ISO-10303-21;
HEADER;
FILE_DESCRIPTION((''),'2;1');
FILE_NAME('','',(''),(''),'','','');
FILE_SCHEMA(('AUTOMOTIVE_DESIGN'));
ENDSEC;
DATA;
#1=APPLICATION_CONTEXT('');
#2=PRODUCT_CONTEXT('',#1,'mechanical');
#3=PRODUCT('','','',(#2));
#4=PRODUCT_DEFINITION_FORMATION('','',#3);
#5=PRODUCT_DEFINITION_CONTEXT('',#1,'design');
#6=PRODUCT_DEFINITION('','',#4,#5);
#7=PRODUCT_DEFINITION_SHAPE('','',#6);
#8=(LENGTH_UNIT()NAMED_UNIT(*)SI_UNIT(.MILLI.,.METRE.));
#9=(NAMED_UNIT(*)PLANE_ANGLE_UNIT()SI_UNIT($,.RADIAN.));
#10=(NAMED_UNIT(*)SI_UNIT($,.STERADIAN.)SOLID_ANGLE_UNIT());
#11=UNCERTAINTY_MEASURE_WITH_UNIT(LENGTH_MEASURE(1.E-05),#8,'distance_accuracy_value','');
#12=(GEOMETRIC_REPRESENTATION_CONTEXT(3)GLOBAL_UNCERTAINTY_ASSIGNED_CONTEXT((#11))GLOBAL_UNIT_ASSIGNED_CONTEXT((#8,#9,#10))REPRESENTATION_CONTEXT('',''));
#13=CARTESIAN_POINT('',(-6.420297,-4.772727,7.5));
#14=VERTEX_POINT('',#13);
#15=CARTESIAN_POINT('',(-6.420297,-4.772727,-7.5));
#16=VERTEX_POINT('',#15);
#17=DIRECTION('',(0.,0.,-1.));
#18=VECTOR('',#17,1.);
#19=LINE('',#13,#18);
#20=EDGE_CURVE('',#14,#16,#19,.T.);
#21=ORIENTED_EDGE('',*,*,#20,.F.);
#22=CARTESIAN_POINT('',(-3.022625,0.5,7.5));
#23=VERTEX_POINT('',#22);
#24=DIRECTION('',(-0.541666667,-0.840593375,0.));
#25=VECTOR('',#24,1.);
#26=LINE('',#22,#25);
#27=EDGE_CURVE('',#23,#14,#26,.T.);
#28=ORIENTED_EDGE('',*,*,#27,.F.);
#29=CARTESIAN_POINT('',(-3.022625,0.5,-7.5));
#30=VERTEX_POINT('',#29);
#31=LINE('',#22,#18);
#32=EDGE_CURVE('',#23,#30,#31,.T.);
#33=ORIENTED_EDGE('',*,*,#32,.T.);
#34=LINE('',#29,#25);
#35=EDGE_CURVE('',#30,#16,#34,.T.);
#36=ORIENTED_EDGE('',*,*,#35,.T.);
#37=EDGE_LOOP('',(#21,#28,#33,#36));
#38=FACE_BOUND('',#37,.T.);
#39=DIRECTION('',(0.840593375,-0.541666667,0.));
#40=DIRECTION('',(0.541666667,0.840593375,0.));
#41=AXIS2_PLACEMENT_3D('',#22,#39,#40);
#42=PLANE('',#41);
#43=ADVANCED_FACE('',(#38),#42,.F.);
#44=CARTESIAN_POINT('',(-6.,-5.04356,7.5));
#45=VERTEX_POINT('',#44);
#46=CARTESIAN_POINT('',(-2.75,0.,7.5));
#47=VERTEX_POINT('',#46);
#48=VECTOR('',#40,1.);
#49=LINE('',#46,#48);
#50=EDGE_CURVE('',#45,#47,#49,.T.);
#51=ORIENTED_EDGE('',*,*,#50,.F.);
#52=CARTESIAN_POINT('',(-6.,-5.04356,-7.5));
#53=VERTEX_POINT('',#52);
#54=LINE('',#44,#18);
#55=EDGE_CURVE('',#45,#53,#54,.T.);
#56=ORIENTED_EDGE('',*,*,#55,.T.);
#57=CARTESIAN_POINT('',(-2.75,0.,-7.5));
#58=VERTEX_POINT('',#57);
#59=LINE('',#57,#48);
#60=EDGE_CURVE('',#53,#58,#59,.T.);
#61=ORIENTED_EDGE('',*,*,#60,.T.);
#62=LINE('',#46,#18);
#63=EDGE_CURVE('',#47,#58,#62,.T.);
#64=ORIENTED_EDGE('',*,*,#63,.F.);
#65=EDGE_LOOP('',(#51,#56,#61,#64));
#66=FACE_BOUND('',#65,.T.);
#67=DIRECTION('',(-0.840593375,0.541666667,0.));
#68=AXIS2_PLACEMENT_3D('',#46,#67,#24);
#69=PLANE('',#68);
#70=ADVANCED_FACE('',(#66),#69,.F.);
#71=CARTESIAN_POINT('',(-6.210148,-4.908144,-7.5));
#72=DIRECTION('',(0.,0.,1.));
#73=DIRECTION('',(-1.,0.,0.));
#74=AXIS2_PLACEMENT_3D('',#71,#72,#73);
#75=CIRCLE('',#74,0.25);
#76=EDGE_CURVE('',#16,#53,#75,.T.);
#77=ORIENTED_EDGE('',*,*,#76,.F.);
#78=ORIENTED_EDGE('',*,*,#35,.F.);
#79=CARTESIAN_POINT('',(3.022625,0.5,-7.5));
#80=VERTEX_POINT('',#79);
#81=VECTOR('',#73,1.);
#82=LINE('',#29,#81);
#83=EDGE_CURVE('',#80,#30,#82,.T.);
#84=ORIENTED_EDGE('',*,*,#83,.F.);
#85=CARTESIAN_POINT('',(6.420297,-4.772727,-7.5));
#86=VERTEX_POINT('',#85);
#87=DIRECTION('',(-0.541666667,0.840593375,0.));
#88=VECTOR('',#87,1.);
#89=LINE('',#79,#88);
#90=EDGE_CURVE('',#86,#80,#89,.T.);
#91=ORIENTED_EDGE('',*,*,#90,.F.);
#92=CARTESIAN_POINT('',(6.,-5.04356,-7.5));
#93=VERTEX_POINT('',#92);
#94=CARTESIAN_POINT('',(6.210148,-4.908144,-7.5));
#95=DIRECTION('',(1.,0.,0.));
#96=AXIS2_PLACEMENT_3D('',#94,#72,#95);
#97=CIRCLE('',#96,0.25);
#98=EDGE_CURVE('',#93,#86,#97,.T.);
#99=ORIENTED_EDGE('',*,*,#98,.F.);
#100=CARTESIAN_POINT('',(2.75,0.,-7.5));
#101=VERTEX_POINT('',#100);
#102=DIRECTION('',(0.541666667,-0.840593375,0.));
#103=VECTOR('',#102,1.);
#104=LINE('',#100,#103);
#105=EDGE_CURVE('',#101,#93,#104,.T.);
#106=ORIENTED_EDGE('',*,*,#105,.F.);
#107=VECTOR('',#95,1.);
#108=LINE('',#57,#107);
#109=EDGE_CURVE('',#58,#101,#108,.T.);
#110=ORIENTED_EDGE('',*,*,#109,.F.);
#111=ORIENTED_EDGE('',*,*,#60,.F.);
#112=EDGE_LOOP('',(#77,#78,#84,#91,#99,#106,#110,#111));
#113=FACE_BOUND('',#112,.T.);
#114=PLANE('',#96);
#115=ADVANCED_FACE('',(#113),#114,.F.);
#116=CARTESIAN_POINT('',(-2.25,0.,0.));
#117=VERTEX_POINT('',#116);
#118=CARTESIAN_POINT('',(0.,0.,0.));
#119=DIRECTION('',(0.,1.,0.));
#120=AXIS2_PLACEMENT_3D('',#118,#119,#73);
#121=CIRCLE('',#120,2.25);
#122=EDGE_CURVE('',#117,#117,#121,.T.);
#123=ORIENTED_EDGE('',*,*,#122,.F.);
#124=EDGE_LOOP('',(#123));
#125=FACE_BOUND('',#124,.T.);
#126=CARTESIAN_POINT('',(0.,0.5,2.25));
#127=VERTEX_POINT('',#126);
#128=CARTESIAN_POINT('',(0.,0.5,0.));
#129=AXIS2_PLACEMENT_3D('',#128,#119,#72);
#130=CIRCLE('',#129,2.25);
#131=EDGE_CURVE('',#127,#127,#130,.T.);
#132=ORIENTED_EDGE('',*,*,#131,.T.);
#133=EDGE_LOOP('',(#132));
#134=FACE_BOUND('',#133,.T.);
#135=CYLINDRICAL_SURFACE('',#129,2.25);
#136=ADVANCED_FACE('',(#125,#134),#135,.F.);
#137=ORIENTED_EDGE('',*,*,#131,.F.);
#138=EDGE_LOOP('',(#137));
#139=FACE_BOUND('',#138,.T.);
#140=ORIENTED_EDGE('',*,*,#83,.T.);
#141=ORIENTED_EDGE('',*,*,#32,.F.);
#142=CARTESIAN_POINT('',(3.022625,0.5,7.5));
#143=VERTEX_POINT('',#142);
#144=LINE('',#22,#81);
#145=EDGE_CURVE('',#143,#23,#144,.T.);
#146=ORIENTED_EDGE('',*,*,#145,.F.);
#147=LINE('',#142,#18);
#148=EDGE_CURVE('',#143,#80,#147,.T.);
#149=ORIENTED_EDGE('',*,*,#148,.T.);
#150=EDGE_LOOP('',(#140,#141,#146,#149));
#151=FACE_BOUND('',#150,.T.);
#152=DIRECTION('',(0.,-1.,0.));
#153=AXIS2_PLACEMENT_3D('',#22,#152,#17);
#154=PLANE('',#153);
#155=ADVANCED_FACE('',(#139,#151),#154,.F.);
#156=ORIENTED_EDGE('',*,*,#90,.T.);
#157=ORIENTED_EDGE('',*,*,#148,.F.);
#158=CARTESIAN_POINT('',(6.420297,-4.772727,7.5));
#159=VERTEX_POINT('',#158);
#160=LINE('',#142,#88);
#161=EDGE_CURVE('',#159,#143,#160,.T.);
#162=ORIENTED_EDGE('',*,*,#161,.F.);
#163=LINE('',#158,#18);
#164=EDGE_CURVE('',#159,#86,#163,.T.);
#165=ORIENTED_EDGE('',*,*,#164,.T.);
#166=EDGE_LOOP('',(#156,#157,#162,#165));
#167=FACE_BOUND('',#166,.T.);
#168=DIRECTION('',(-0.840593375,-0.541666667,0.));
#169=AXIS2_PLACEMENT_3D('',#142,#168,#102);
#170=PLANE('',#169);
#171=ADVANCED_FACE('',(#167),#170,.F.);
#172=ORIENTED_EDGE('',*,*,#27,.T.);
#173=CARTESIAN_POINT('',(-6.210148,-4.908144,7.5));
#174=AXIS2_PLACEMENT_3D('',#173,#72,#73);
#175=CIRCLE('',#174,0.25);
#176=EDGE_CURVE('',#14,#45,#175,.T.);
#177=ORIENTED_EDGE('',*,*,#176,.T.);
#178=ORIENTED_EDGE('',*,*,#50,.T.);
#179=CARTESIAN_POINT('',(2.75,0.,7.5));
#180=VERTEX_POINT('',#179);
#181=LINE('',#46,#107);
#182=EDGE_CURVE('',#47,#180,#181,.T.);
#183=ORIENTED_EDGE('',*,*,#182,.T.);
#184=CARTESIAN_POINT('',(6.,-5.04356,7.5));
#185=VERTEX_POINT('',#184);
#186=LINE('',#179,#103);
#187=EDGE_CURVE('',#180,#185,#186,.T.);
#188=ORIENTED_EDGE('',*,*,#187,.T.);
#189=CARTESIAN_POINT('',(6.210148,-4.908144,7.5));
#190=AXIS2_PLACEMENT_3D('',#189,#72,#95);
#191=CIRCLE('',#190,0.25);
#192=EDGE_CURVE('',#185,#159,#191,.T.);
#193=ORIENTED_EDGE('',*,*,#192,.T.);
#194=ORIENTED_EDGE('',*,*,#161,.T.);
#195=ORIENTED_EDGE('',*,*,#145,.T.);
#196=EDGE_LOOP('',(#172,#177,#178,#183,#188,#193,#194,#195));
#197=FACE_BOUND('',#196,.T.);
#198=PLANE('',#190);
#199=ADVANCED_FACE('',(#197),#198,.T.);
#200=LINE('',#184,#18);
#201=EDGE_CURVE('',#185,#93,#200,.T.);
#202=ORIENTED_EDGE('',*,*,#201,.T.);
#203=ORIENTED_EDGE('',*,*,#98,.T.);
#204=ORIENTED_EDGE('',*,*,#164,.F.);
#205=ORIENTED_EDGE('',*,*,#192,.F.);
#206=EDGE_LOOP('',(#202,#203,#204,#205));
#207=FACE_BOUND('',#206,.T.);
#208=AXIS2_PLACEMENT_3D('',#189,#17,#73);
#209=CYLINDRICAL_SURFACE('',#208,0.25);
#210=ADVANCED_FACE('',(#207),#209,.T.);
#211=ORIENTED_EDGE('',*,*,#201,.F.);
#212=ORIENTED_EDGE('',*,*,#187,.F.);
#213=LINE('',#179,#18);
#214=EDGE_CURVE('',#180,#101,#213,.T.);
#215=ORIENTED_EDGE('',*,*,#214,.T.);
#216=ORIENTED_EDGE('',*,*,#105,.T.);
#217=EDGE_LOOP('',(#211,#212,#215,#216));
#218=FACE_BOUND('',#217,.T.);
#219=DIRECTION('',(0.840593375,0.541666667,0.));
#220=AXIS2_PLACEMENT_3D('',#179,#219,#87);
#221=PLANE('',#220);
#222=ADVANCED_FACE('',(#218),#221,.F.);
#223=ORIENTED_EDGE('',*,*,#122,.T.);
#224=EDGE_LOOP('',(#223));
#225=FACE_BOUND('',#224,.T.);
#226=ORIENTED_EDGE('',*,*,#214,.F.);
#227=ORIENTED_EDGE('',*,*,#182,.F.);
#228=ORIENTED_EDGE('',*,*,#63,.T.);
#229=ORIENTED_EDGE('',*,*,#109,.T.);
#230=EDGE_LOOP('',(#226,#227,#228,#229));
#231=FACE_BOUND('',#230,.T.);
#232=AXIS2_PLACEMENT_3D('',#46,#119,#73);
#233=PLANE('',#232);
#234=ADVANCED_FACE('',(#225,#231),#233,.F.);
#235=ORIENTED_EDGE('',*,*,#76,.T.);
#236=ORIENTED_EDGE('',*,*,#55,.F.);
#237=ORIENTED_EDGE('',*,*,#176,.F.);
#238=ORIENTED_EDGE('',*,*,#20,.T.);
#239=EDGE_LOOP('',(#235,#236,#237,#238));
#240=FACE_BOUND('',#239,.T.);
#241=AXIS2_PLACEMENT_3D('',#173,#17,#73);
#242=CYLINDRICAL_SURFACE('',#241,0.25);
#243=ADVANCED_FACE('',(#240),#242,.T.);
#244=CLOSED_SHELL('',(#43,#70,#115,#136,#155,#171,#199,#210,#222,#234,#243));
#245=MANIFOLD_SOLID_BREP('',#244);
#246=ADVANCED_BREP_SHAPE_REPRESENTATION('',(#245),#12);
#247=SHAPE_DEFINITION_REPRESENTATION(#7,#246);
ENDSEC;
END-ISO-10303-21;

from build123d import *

# Parameters (mm, degrees)
BOSS_EXTRUDE1_DEPTH  = 7.5
M4_CLEARANCE_HOLE1_D = 4.5


with BuildPart() as part:
    # Sketch1 → Boss-Extrude1 (new, symmetric)
    with BuildSketch(Plane.XY):
        with BuildLine():
            Line((-2.75, 0), (2.75, 0))
            Line((2.75, 0), (6, -5.04356025))
            ThreePointArc((6, -5.04356025), (6.34556501, -5.118291928), (6.420296688, -4.772726917))
            Line((6.420296688, -4.772726917), (3.022624878, 0.5))
            Line((3.022624878, 0.5), (-3.022624878, 0.5))
            Line((-3.022624878, 0.5), (-6.420296688, -4.772726917))
            ThreePointArc((-6.420296688, -4.772726917), (-6.34556501, -5.118291928), (-6, -5.04356025))
            Line((-6, -5.04356025), (-2.75, 0))
        make_face()
    extrude(amount=BOSS_EXTRUDE1_DEPTH, both=True)

    # M4 Clearance Hole1 (through all)
    with Locations(Plane(origin=(0, 0.5, 0), x_dir=(1, 0, 0), z_dir=(0, 1, 0))):
        with Locations((0, 0)):
            Hole(M4_CLEARANCE_HOLE1_D / 2)


solid = part.part
